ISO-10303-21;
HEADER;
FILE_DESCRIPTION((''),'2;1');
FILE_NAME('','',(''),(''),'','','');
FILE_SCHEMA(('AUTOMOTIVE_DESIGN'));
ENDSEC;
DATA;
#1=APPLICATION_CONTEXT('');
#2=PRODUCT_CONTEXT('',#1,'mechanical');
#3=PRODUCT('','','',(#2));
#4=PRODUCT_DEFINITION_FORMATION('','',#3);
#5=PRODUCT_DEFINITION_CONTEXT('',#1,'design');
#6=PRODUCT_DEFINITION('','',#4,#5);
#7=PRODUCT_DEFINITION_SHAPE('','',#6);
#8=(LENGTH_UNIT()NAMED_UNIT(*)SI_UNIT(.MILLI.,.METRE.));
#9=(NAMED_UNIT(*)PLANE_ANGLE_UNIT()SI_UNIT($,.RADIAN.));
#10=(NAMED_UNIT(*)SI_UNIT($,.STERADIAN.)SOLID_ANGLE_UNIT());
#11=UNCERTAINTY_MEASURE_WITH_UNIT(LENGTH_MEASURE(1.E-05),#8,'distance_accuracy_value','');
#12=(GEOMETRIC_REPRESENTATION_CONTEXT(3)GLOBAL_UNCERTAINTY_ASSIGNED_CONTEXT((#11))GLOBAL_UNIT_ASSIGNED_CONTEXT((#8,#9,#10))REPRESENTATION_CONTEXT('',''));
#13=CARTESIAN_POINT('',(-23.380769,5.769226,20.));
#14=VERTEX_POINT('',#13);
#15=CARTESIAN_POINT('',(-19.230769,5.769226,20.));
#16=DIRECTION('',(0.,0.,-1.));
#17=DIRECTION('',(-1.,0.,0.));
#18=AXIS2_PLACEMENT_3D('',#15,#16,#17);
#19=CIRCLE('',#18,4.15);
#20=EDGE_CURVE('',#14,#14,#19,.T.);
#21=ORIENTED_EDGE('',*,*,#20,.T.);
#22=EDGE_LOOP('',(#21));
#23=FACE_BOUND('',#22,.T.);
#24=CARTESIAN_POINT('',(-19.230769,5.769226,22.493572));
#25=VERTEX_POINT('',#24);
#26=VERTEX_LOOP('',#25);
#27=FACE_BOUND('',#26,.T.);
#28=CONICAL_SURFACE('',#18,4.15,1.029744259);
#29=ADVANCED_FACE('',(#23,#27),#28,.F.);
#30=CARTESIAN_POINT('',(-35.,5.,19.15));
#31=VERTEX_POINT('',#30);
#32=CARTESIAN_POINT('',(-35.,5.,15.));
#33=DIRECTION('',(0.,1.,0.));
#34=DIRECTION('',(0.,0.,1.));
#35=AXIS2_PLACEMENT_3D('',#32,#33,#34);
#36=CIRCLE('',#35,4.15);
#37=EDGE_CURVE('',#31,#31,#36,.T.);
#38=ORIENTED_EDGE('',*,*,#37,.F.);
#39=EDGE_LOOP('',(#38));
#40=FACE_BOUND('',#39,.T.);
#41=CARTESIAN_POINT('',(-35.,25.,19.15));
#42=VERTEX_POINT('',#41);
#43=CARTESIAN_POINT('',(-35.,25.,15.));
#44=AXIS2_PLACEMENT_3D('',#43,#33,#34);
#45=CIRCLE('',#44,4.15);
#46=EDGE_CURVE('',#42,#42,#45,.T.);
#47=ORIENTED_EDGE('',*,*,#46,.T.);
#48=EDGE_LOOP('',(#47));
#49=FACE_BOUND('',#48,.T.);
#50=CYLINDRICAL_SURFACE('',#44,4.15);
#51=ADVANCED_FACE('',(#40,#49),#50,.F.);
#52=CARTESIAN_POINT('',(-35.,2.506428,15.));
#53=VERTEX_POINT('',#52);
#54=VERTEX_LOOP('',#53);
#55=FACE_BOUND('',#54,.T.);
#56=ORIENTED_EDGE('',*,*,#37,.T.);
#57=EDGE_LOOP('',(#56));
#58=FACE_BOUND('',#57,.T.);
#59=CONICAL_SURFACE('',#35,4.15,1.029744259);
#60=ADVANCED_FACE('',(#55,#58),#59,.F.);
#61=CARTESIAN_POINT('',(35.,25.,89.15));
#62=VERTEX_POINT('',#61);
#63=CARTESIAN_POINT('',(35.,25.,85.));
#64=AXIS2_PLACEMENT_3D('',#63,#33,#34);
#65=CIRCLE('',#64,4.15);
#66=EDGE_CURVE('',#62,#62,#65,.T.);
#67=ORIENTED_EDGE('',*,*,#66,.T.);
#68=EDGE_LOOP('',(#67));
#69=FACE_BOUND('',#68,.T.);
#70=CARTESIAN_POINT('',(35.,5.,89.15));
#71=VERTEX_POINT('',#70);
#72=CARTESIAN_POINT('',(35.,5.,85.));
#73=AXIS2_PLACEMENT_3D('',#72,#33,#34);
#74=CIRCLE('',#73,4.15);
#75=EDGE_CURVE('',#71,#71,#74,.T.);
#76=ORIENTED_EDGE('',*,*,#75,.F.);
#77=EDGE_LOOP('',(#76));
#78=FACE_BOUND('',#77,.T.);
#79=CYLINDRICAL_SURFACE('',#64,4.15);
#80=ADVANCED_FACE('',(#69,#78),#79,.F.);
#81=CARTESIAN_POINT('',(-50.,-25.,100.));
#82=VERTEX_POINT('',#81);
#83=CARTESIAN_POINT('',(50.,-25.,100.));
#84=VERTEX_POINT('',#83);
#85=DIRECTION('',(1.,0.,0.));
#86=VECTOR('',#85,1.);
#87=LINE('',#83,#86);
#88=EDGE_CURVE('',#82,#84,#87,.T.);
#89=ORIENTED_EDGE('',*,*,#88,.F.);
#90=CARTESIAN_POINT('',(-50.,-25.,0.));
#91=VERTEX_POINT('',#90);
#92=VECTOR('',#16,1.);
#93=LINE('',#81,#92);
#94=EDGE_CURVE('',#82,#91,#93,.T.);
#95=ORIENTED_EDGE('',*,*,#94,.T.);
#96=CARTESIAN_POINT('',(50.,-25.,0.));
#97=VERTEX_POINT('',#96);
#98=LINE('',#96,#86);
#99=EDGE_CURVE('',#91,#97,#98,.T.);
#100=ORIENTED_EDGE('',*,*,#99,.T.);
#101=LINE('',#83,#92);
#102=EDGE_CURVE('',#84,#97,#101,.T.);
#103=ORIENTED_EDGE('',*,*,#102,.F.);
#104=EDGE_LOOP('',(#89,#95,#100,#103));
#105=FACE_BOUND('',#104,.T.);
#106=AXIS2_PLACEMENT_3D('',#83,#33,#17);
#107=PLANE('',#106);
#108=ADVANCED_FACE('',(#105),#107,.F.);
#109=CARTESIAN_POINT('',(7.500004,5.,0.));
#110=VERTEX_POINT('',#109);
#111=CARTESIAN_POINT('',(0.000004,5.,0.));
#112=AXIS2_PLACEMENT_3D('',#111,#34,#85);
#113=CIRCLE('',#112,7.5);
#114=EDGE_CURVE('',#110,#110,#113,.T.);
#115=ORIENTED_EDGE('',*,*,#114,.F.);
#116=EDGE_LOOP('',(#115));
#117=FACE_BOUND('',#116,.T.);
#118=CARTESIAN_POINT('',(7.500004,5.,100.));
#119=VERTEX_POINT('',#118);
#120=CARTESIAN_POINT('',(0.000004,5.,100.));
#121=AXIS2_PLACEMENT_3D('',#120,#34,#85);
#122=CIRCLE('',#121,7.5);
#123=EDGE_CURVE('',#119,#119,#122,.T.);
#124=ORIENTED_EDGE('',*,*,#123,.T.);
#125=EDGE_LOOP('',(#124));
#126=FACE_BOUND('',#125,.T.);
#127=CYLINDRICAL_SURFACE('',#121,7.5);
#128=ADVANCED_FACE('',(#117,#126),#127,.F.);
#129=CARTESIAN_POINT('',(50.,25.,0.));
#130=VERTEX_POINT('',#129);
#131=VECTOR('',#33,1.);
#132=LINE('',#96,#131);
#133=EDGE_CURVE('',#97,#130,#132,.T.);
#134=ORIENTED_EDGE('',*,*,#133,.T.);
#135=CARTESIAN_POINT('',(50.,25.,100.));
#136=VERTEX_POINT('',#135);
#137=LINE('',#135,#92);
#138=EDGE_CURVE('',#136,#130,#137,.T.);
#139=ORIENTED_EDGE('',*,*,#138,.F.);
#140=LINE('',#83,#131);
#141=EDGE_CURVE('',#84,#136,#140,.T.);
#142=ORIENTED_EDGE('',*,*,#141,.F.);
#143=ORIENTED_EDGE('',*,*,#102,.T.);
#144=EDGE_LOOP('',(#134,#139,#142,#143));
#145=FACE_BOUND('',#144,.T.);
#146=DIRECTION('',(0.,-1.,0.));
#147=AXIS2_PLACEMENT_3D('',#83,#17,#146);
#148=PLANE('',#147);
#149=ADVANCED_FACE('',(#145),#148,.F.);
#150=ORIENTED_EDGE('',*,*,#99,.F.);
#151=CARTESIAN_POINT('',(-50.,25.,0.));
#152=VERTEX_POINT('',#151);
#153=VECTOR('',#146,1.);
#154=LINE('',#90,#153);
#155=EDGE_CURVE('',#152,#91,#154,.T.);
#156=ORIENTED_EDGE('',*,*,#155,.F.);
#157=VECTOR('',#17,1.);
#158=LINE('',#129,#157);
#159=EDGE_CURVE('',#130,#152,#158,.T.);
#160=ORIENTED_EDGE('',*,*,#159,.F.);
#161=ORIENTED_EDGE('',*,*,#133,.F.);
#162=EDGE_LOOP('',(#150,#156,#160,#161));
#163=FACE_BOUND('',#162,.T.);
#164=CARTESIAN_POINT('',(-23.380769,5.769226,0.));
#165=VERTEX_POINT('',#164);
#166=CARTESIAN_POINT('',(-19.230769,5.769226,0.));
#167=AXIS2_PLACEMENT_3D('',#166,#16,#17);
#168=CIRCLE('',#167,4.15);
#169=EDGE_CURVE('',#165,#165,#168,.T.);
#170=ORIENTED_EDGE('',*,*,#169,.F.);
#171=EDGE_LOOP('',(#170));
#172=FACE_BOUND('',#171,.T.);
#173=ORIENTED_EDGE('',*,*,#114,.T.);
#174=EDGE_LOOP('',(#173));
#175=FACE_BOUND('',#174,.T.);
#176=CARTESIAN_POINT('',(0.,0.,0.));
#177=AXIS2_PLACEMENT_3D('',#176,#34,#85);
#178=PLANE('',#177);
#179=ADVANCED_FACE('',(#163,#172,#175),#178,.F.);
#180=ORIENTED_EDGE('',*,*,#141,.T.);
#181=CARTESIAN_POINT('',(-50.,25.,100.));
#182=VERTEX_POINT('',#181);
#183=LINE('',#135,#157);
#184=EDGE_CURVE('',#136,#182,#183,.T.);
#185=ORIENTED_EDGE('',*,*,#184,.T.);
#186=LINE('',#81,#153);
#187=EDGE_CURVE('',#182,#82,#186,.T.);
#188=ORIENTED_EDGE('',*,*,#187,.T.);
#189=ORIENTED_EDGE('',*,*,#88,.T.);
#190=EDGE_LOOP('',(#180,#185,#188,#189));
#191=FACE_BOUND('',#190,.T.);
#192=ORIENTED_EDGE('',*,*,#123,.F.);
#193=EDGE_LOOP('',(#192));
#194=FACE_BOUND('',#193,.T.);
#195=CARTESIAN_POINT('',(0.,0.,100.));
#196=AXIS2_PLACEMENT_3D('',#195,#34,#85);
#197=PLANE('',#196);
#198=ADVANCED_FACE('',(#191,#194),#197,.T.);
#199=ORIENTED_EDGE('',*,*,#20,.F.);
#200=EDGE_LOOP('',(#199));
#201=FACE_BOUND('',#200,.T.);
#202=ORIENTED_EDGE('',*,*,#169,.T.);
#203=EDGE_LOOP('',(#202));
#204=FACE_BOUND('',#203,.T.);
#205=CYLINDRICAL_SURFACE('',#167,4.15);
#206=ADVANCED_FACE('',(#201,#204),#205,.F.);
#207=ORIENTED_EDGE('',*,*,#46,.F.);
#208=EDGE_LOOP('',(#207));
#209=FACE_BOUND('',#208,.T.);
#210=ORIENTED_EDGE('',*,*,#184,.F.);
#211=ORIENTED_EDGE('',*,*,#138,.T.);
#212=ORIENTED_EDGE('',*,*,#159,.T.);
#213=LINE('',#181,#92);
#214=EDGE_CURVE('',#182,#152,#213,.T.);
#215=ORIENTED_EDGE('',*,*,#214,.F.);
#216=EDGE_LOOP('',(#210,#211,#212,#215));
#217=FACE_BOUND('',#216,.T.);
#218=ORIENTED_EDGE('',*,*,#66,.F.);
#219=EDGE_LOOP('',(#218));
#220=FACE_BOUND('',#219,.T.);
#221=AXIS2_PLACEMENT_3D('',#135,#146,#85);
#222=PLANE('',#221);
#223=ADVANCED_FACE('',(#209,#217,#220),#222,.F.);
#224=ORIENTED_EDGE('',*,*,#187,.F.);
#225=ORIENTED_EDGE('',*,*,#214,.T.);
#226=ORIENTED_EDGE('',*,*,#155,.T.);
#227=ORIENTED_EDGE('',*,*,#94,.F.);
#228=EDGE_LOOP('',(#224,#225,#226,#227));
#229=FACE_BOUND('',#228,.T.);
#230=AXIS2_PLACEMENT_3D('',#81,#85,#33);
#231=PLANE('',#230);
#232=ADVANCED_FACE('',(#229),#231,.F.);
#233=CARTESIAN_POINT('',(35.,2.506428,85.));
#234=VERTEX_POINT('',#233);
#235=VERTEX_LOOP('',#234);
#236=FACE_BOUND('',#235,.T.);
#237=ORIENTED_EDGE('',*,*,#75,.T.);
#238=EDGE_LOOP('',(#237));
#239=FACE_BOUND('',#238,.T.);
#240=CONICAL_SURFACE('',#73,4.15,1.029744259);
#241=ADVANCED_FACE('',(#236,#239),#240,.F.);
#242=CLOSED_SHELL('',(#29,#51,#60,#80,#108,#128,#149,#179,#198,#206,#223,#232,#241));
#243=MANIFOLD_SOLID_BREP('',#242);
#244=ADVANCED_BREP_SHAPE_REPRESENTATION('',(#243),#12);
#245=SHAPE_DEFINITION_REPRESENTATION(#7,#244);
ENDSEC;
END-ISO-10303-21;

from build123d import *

# Parameters (mm, degrees)
SKIZZE1_W                                           = 100
SKIZZE1_H                                           = 50
AUFSATZ_LINEAR_AUSTRAGEN1_DEPTH                     = 100
KERNLOCH_F_R_M8_HELICOIL1_D                         = 8.3
KERNLOCH_F_R_M8_HELICOIL1_DEPTH                     = 20
KERNLOCH_F_R_M8_HELICOIL1_TIP                       = 2.493571569
STIRNSENKUNG_F_R_M8_SENKSCHRAUBE_KOPF_B_D           = 9
STIRNSENKUNG_F_R_M8_SENKSCHRAUBE_KOPF_B_CBORE_D     = 15
STIRNSENKUNG_F_R_M8_SENKSCHRAUBE_KOPF_B_CBORE_DEPTH = 116
KERNLOCH_F_R_M8_HELICOIL2_D                         = 8.3
KERNLOCH_F_R_M8_HELICOIL2_DEPTH                     = 20
KERNLOCH_F_R_M8_HELICOIL2_TIP                       = 2.493571569


with BuildPart() as part:
    # Skizze1 → Aufsatz-Linear austragen1 (new body)
    with BuildSketch(Plane.XY):
        Rectangle(SKIZZE1_W, SKIZZE1_H)
    extrude(amount=AUFSATZ_LINEAR_AUSTRAGEN1_DEPTH)

    # Kernloch für M8 Helicoil1
    with Locations(Plane(origin=(0, 25, 0), x_dir=(1, 0, 0), z_dir=(0, 1, 0))):
        with Locations((35, -85), (-35, -15)):
            Hole(KERNLOCH_F_R_M8_HELICOIL1_D / 2, depth=KERNLOCH_F_R_M8_HELICOIL1_DEPTH)
            with Locations((0, 0, -(KERNLOCH_F_R_M8_HELICOIL1_DEPTH + KERNLOCH_F_R_M8_HELICOIL1_TIP / 2))):  # 118° drill point
                Cone(0, KERNLOCH_F_R_M8_HELICOIL1_D / 2, KERNLOCH_F_R_M8_HELICOIL1_TIP, mode=Mode.SUBTRACT)

    # Stirnsenkung für M8 Senkschraube (Kopf Button)1 (through all)
    with Locations(Plane.XY.offset(100)):
        with Locations((4.444e-06, 5)):
            CounterBoreHole(STIRNSENKUNG_F_R_M8_SENKSCHRAUBE_KOPF_B_D / 2, STIRNSENKUNG_F_R_M8_SENKSCHRAUBE_KOPF_B_CBORE_D / 2, STIRNSENKUNG_F_R_M8_SENKSCHRAUBE_KOPF_B_CBORE_DEPTH)

    # Kernloch für M8 Helicoil2
    with Locations(Plane(origin=(0, 0, 0), x_dir=(-1, 0, 0), z_dir=(0, 0, -1))):
        with Locations((19.230769231, 5.769226325)):
            Hole(KERNLOCH_F_R_M8_HELICOIL2_D / 2, depth=KERNLOCH_F_R_M8_HELICOIL2_DEPTH)
            with Locations((0, 0, -(KERNLOCH_F_R_M8_HELICOIL2_DEPTH + KERNLOCH_F_R_M8_HELICOIL2_TIP / 2))):  # 118° drill point
                Cone(0, KERNLOCH_F_R_M8_HELICOIL2_D / 2, KERNLOCH_F_R_M8_HELICOIL2_TIP, mode=Mode.SUBTRACT)


solid = part.part
